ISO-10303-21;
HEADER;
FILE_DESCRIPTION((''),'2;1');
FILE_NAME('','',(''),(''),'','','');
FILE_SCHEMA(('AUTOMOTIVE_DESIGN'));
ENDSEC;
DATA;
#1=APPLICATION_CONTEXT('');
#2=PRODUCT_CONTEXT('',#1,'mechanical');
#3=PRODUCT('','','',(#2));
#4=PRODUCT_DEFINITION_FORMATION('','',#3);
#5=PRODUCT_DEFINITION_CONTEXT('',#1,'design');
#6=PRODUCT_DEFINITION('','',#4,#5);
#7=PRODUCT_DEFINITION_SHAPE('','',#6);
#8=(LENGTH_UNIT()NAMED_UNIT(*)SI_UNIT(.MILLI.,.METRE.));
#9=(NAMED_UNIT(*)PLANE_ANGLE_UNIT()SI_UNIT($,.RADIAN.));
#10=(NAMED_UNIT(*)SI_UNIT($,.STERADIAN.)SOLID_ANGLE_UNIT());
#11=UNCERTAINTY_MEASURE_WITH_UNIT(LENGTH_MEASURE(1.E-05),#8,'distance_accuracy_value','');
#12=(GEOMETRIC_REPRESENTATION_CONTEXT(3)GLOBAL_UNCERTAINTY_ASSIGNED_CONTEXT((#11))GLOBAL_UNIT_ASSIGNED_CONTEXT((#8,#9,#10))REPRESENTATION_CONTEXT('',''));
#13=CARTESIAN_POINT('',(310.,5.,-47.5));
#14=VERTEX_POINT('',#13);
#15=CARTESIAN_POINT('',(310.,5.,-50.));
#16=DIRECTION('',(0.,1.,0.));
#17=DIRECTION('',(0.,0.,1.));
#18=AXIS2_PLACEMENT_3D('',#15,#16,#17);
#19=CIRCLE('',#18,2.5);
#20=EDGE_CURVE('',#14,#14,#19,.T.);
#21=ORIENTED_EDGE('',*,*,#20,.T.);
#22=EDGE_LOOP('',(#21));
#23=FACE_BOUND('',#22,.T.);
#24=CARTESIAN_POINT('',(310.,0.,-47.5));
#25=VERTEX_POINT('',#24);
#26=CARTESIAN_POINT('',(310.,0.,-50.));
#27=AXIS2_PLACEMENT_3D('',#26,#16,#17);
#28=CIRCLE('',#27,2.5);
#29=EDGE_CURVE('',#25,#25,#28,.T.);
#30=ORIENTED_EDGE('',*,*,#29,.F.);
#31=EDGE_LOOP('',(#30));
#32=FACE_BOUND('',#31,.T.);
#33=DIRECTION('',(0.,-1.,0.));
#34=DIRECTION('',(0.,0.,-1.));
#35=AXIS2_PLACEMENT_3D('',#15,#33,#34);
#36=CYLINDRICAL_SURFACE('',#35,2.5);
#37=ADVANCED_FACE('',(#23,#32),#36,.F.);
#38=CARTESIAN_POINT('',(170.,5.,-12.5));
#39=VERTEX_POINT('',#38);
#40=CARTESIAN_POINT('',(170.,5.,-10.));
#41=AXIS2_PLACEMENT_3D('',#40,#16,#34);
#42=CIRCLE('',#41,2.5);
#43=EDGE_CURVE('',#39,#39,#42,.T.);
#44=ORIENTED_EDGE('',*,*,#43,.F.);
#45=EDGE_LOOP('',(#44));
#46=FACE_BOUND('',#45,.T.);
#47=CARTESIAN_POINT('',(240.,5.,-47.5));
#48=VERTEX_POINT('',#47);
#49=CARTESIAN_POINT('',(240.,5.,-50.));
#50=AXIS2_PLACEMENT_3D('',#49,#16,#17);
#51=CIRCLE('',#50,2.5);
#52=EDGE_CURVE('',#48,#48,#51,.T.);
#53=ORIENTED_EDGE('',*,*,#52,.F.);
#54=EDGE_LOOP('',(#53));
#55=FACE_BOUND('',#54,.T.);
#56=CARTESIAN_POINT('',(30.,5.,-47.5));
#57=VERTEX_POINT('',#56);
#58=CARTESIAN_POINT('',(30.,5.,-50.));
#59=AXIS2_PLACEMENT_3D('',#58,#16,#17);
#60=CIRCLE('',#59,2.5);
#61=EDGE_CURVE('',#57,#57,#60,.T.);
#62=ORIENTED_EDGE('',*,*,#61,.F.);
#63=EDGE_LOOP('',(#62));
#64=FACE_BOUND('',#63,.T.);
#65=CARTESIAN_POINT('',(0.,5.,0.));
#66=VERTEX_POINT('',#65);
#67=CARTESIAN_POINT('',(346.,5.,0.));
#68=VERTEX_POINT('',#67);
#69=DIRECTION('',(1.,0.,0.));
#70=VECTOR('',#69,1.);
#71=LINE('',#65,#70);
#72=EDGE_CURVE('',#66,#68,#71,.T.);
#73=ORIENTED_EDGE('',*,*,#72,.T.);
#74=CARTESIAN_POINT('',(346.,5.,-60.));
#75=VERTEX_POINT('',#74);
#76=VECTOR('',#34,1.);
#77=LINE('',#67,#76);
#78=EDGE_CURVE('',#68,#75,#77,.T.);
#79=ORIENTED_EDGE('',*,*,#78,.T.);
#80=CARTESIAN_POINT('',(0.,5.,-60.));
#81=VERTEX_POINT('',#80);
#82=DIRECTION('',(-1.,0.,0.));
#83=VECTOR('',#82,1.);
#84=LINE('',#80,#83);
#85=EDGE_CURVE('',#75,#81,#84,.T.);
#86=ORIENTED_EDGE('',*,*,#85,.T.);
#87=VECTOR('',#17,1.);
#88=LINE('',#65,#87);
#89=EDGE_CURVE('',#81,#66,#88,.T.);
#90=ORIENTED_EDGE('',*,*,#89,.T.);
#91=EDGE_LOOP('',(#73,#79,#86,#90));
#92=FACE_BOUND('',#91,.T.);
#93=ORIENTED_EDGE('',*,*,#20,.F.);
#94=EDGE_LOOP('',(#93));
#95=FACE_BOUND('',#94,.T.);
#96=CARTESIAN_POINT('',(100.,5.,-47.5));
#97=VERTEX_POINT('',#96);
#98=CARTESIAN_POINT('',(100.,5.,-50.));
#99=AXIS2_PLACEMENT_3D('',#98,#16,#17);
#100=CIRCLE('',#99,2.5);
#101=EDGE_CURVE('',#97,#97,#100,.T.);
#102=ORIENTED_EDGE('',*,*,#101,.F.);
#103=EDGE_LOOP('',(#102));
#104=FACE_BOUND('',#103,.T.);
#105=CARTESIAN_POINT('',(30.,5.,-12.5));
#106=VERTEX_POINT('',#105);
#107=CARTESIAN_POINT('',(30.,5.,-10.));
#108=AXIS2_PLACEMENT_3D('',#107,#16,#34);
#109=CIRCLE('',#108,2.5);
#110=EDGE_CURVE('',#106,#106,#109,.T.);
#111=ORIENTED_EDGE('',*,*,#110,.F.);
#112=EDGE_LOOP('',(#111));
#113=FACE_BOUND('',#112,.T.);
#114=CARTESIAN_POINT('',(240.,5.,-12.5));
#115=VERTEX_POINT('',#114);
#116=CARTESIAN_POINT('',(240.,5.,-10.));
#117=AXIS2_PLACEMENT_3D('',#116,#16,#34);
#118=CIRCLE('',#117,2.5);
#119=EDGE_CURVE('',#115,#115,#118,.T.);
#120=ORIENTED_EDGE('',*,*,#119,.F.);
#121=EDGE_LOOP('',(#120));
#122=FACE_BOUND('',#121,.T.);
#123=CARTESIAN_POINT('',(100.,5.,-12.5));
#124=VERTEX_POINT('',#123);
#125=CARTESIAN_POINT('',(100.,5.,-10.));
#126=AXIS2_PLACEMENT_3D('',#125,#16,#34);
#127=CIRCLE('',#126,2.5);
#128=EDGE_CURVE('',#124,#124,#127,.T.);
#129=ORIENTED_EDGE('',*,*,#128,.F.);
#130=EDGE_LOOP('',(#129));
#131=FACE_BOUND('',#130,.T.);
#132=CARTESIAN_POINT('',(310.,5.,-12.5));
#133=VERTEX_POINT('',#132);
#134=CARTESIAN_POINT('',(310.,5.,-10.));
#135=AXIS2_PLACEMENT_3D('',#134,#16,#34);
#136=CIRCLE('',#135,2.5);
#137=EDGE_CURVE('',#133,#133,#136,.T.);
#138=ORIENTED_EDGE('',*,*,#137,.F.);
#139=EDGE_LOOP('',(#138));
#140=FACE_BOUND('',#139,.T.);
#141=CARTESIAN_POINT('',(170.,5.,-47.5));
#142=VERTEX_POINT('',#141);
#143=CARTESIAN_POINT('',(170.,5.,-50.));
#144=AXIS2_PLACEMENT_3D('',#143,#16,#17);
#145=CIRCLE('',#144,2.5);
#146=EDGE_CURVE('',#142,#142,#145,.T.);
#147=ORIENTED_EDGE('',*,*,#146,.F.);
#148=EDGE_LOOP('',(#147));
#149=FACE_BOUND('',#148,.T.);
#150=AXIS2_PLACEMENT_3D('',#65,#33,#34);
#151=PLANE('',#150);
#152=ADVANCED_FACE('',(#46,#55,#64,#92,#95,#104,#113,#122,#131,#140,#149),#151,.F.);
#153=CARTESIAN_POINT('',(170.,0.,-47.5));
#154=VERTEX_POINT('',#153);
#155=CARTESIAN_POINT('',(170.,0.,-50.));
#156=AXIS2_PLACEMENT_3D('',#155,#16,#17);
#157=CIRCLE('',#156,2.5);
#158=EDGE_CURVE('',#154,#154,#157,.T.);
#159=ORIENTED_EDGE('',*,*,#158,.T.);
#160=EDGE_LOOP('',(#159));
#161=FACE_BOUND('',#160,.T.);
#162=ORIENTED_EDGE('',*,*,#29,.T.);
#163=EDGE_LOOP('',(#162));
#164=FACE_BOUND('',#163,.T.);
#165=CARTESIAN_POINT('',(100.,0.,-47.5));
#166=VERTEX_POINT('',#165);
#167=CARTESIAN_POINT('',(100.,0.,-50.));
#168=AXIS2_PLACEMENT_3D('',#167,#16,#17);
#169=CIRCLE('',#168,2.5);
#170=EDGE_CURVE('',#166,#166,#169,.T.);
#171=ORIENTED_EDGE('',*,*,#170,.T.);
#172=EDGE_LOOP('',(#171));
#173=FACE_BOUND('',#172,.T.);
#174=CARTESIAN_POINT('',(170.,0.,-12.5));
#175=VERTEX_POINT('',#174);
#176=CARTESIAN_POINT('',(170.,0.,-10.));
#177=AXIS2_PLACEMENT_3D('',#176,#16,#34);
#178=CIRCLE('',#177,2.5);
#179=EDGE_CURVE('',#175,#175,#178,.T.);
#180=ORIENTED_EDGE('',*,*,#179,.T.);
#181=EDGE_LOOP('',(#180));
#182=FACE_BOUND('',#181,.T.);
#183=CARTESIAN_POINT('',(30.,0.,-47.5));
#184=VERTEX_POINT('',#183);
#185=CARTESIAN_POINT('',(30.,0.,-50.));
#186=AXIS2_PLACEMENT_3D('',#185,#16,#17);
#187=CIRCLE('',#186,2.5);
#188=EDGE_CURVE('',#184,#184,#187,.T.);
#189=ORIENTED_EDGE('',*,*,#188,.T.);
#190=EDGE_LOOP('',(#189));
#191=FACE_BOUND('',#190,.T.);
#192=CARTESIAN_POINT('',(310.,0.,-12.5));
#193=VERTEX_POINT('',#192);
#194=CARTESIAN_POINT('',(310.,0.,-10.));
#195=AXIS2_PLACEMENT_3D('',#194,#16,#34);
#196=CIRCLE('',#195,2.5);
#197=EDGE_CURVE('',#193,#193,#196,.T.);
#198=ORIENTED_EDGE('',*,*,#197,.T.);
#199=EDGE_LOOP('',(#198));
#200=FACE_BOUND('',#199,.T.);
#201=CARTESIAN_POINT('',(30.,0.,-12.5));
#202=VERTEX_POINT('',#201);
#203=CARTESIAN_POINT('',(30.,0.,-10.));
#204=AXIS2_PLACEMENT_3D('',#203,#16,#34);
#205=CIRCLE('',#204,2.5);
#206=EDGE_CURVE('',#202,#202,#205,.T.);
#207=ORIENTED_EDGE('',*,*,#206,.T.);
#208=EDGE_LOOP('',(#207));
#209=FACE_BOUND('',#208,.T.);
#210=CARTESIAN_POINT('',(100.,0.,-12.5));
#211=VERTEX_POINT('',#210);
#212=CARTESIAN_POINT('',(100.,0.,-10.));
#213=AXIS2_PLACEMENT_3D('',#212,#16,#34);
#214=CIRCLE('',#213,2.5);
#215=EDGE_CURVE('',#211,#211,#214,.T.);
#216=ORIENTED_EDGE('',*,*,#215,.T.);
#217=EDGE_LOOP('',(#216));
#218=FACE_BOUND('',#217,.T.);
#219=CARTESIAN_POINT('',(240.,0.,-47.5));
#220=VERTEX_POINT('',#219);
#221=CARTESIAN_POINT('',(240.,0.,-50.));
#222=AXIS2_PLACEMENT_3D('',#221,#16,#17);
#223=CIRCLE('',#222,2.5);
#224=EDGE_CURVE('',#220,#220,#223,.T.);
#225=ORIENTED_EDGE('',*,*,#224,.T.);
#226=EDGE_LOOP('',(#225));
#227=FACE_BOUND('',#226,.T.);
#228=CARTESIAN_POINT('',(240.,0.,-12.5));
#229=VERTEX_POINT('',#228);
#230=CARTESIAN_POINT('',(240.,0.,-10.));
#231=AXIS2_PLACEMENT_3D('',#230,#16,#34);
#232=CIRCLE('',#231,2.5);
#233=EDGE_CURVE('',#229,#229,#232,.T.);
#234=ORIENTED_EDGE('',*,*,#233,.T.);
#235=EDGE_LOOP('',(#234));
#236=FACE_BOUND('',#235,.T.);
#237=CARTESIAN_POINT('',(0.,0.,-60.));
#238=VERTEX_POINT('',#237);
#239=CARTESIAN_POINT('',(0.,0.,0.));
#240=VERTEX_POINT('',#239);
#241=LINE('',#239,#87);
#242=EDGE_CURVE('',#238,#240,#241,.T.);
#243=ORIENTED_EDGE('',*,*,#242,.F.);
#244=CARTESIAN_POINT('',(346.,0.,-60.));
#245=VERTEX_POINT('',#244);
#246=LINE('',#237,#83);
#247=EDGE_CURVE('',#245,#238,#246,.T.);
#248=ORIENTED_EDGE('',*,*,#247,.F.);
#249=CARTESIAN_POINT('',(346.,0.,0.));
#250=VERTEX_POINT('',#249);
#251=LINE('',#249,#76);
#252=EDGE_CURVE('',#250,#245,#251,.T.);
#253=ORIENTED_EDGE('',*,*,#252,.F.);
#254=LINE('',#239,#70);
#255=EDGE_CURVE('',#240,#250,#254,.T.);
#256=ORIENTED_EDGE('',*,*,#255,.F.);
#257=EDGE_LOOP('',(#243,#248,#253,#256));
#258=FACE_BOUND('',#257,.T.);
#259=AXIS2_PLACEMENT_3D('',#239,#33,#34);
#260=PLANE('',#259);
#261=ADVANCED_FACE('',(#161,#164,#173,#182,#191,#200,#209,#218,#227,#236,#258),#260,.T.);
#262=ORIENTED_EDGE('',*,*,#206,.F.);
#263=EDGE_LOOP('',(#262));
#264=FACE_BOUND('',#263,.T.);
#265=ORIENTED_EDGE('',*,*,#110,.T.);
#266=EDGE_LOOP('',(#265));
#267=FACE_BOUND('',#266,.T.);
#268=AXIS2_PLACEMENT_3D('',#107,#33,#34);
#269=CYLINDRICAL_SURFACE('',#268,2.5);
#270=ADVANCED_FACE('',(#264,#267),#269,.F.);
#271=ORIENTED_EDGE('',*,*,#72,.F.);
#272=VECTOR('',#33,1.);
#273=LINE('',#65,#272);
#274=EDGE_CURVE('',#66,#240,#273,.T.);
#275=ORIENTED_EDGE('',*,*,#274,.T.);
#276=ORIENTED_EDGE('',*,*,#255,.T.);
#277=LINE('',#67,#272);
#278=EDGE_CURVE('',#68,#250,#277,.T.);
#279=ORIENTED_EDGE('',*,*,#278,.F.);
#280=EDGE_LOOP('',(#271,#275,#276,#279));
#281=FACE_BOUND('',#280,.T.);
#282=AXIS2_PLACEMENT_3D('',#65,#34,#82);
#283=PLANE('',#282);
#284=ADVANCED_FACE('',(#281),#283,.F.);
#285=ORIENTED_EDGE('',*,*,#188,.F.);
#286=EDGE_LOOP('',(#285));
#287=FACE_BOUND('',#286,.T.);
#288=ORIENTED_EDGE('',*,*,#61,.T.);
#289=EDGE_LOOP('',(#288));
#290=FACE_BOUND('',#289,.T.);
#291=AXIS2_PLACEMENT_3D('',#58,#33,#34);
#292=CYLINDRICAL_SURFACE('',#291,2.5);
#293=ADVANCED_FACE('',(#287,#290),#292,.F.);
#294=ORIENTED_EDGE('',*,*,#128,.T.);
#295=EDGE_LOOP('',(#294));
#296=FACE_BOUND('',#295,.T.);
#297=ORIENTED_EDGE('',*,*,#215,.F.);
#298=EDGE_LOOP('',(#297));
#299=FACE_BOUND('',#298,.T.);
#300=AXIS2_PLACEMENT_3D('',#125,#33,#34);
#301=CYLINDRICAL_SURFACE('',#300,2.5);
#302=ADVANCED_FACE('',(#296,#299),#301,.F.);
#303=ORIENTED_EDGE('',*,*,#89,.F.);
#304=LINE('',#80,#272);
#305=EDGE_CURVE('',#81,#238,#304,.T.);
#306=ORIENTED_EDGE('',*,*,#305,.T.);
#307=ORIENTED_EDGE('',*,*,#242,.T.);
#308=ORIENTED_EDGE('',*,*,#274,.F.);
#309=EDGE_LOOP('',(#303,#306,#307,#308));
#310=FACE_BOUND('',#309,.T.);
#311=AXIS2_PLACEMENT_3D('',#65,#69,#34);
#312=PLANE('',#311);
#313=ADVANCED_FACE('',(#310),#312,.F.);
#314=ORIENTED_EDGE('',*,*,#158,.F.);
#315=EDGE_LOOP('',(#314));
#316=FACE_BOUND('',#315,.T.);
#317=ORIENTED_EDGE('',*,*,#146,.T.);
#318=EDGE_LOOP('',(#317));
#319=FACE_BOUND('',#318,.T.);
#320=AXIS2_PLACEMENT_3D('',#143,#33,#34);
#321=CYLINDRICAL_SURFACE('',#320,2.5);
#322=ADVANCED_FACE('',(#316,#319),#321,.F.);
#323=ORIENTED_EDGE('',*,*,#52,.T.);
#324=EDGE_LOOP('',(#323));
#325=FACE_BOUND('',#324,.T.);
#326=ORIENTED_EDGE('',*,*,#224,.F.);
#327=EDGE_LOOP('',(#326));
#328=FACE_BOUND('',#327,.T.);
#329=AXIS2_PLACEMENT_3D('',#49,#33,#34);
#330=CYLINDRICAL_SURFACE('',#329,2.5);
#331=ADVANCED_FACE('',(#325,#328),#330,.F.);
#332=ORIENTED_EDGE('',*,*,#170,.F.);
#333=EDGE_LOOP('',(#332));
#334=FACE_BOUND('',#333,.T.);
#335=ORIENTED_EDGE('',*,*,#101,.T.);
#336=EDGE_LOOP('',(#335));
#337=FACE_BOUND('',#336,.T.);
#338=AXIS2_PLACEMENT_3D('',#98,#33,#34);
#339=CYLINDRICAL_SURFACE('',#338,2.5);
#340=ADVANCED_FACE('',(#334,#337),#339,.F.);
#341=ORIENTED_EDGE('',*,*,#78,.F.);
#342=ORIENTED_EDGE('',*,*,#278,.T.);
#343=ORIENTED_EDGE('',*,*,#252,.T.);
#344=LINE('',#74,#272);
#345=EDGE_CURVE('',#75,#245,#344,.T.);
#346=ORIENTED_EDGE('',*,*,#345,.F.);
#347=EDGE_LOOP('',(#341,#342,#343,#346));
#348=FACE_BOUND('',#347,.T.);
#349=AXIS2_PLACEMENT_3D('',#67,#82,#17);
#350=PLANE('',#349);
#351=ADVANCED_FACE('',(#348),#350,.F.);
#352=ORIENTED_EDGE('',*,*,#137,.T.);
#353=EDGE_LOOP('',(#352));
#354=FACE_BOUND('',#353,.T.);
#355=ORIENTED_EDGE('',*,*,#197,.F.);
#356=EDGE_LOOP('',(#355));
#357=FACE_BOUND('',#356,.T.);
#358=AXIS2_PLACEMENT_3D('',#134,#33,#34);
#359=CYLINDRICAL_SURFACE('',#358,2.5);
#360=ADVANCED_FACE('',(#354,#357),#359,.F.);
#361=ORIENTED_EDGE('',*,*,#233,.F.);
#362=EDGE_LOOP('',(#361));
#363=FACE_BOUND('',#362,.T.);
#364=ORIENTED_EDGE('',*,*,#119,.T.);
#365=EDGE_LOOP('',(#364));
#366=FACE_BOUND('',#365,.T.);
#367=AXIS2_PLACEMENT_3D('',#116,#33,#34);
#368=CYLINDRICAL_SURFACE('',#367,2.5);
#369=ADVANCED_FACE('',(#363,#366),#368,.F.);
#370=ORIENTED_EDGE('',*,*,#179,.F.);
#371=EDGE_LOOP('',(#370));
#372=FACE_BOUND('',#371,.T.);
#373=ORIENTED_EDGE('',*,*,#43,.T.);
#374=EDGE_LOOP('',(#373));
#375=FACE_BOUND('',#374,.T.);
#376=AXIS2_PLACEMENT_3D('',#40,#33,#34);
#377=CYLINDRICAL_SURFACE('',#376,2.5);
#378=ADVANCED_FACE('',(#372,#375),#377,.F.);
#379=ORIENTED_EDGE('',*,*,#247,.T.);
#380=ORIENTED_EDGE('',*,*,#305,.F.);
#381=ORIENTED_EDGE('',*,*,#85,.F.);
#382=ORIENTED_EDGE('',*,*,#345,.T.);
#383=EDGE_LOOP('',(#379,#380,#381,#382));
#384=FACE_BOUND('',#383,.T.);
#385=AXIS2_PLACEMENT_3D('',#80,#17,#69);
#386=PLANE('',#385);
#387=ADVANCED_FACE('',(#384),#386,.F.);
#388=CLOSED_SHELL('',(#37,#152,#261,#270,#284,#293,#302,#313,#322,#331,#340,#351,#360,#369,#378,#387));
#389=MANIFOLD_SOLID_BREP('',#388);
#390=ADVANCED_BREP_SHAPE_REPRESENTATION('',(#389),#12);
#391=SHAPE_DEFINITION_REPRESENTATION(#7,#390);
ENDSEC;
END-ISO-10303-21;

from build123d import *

# Parameters (mm, degrees)
SKETCH1_W           = 346
SKETCH1_H           = 60
SKETCH1_R           = 2.5
BOSS_EXTRUDE1_DEPTH = 5


with BuildPart() as part:
    # Sketch1 → Boss-Extrude1 (new body)
    with BuildSketch(Plane(origin=(0, 0, 0), x_dir=(1, 0, 0), z_dir=(0, 1, 0))):
        with Locations((173, 30)):
            Rectangle(SKETCH1_W, SKETCH1_H)
        with Locations((30, 50)):
            Circle(SKETCH1_R, mode=Mode.SUBTRACT)
        with Locations((100, 50)):
            Circle(SKETCH1_R, mode=Mode.SUBTRACT)
        with Locations((170, 50)):
            Circle(SKETCH1_R, mode=Mode.SUBTRACT)
        with Locations((240, 50)):
            Circle(SKETCH1_R, mode=Mode.SUBTRACT)
        with Locations((310, 50)):
            Circle(SKETCH1_R, mode=Mode.SUBTRACT)
        with Locations((310, 10)):
            Circle(SKETCH1_R, mode=Mode.SUBTRACT)
        with Locations((240, 10)):
            Circle(SKETCH1_R, mode=Mode.SUBTRACT)
        with Locations((170, 10)):
            Circle(SKETCH1_R, mode=Mode.SUBTRACT)
        with Locations((100, 10)):
            Circle(SKETCH1_R, mode=Mode.SUBTRACT)
        with Locations((30, 10)):
            Circle(SKETCH1_R, mode=Mode.SUBTRACT)
    extrude(amount=BOSS_EXTRUDE1_DEPTH)


solid = part.part
